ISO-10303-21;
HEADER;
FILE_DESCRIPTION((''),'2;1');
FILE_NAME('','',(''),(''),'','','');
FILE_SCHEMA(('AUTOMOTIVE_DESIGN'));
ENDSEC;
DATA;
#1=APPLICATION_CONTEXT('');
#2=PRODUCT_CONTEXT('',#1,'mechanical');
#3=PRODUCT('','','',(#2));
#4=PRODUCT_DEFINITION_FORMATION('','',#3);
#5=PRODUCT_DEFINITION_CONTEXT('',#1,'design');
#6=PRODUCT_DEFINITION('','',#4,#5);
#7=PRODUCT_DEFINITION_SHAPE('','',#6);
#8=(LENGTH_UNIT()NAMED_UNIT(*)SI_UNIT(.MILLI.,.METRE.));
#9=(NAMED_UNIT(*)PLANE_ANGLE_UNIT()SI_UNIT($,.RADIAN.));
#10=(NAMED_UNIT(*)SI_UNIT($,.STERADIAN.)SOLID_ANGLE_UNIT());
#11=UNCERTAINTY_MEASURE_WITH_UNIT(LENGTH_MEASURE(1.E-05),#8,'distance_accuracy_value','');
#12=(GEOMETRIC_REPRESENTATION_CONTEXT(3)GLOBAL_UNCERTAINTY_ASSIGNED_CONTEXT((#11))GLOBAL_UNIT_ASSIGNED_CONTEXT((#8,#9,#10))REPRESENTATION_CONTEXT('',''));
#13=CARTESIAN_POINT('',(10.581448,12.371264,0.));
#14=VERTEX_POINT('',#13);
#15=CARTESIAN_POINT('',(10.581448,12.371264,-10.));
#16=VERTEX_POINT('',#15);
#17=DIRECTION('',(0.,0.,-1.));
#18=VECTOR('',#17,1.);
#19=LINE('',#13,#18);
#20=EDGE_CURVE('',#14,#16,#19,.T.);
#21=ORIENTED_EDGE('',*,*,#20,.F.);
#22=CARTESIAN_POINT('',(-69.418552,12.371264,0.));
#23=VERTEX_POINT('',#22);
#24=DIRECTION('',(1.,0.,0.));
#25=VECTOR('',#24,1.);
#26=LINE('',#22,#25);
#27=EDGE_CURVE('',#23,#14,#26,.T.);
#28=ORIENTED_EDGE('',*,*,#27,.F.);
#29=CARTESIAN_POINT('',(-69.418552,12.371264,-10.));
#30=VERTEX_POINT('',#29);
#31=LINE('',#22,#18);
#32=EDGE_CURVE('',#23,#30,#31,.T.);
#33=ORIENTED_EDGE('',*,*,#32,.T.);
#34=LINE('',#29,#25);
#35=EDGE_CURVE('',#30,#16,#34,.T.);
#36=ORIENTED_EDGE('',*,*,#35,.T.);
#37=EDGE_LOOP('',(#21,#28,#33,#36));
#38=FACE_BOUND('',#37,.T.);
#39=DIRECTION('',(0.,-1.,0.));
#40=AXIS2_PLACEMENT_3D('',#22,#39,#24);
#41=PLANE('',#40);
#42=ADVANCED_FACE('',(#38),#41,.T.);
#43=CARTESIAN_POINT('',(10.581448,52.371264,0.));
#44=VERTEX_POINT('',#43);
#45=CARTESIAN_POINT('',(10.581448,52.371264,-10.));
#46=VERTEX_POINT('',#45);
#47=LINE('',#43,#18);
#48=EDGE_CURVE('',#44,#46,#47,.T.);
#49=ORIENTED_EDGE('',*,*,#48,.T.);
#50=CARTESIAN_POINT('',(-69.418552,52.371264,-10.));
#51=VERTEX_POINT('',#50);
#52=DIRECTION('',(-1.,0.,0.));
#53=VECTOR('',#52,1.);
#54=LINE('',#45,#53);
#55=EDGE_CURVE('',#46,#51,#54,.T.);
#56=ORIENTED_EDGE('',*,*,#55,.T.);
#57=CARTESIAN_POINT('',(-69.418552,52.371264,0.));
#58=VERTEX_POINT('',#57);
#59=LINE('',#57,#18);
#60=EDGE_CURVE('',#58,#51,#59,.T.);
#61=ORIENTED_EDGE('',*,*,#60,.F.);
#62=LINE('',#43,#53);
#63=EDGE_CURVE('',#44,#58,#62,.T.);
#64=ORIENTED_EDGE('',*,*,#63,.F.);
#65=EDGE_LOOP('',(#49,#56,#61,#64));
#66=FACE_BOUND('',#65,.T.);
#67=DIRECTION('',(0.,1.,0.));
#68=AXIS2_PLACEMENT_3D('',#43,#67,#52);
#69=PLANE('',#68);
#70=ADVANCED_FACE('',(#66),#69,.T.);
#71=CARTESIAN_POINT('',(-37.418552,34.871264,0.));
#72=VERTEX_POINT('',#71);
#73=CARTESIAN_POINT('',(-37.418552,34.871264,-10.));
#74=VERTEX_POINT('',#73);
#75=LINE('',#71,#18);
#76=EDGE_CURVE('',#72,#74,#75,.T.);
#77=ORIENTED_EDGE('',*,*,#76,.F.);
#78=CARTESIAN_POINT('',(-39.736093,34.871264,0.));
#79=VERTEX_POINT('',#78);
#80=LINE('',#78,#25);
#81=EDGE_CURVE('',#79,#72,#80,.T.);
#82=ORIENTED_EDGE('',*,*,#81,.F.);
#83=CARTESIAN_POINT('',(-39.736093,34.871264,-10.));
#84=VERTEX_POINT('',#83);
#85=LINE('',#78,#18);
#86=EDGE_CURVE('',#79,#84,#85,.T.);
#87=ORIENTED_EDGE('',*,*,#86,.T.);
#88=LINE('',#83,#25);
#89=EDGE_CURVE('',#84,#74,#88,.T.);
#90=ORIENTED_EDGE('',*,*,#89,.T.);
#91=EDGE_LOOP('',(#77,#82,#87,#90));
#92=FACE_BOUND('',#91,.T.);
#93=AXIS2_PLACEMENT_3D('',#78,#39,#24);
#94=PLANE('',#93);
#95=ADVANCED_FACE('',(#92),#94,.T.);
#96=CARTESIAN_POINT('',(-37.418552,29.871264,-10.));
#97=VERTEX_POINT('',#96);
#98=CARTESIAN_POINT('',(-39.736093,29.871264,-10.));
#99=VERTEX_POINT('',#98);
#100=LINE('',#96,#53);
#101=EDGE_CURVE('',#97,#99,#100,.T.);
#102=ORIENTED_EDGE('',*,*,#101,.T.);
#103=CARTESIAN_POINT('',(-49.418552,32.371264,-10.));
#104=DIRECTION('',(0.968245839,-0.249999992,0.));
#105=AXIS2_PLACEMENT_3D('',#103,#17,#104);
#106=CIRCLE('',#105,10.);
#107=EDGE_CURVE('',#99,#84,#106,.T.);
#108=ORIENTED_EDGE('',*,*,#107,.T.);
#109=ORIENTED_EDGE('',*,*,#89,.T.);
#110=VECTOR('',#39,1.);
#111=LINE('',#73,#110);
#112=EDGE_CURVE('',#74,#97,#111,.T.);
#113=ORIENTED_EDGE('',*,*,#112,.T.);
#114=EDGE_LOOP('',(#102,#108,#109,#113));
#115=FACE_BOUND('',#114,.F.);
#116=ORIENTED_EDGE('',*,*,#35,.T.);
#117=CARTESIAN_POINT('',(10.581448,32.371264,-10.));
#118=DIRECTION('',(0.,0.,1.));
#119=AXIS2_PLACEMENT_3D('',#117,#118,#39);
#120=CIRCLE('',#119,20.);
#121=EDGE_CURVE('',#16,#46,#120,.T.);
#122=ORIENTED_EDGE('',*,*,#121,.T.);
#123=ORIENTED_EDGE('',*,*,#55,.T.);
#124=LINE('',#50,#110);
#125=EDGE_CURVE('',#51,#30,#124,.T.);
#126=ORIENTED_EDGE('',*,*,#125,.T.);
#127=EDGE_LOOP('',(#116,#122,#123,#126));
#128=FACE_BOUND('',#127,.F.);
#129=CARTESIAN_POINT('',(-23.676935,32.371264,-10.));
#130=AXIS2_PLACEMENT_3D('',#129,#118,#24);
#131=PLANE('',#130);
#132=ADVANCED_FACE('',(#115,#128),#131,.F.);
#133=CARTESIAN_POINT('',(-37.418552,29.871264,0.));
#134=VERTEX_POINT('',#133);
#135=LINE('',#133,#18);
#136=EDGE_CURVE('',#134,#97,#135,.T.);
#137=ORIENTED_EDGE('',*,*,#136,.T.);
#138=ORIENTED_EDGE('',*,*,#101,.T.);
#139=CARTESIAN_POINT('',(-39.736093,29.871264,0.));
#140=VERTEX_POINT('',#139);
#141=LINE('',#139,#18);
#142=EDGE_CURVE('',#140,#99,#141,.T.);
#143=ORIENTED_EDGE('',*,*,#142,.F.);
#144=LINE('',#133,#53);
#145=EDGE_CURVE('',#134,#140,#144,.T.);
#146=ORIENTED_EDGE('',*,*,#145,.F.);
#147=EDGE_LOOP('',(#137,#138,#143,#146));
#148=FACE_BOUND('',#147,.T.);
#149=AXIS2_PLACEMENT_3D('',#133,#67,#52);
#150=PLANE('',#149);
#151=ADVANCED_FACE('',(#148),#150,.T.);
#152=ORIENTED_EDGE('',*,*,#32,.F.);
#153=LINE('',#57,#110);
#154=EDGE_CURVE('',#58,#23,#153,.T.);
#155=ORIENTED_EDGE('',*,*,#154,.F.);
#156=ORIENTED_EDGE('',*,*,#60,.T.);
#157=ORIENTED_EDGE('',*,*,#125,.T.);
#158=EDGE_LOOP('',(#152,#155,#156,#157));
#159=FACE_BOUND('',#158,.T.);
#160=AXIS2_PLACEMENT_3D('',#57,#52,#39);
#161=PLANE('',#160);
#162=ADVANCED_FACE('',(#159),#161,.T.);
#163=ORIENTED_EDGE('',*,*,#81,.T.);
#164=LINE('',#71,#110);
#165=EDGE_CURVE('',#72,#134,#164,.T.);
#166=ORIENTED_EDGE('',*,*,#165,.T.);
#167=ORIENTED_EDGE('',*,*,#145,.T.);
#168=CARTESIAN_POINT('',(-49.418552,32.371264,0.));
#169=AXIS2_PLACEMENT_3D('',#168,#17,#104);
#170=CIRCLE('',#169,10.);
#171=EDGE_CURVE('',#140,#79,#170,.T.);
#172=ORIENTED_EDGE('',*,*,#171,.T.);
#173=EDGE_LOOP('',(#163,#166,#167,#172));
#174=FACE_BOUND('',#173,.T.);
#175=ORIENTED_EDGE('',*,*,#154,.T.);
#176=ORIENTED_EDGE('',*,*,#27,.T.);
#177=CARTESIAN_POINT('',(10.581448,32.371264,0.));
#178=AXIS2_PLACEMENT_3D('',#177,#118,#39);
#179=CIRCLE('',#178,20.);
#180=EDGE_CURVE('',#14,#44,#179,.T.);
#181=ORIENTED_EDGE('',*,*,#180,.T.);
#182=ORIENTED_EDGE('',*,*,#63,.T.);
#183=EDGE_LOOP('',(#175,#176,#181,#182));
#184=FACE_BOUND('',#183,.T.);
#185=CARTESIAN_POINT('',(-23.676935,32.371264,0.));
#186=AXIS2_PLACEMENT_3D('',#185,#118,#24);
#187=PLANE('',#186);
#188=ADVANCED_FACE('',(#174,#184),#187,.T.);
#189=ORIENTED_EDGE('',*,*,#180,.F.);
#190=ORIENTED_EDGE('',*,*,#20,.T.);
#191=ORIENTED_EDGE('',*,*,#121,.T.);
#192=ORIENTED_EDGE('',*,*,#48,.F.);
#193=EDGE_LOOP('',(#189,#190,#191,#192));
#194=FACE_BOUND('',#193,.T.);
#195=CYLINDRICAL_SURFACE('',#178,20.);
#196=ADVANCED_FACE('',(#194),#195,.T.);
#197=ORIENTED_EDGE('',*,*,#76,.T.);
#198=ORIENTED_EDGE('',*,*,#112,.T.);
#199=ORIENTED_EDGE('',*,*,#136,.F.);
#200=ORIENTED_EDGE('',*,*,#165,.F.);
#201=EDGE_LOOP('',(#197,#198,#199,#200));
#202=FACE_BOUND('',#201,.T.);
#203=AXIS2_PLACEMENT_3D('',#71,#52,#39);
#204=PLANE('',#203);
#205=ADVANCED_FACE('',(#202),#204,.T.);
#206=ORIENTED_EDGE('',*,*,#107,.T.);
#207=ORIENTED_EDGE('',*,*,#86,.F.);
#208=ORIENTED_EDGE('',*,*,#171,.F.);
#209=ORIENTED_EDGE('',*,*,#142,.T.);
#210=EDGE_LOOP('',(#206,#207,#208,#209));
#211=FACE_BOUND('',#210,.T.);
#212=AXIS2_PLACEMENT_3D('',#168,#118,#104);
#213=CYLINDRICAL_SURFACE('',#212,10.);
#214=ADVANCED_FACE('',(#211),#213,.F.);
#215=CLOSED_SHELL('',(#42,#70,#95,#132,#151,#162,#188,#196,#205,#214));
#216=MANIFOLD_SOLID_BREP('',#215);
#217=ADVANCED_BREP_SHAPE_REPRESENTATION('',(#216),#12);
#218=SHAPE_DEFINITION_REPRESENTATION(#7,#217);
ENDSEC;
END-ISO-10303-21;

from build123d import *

# Parameters (mm, degrees)
F1_DEPTH = 10


with BuildPart() as f1:
    # F0 (on Top) → F1 (new body)
    with BuildSketch(Plane.XY):
        with BuildLine():
            Line((10.581448, 52.371264), (-69.418552, 52.371264))
            Line((-69.418552, 52.371264), (-69.418552, 12.371264))
            Line((-69.418552, 12.371264), (10.581448, 12.371264))
            ThreePointArc((10.581448, 12.371264), (30.581448, 32.371264), (10.581448, 52.371264))
        make_face()
        with BuildLine():
            ThreePointArc((-39.736093, 29.871264), (-59.418552, 32.371264), (-39.736093, 34.871264))
            Line((-39.736093, 34.871264), (-37.418552, 34.871264))
            Line((-37.418552, 34.871264), (-37.418552, 29.871264))
            Line((-37.418552, 29.871264), (-39.736093, 29.871264))
        make_face(mode=Mode.SUBTRACT)
    extrude(amount=-F1_DEPTH)


solid = f1.part
